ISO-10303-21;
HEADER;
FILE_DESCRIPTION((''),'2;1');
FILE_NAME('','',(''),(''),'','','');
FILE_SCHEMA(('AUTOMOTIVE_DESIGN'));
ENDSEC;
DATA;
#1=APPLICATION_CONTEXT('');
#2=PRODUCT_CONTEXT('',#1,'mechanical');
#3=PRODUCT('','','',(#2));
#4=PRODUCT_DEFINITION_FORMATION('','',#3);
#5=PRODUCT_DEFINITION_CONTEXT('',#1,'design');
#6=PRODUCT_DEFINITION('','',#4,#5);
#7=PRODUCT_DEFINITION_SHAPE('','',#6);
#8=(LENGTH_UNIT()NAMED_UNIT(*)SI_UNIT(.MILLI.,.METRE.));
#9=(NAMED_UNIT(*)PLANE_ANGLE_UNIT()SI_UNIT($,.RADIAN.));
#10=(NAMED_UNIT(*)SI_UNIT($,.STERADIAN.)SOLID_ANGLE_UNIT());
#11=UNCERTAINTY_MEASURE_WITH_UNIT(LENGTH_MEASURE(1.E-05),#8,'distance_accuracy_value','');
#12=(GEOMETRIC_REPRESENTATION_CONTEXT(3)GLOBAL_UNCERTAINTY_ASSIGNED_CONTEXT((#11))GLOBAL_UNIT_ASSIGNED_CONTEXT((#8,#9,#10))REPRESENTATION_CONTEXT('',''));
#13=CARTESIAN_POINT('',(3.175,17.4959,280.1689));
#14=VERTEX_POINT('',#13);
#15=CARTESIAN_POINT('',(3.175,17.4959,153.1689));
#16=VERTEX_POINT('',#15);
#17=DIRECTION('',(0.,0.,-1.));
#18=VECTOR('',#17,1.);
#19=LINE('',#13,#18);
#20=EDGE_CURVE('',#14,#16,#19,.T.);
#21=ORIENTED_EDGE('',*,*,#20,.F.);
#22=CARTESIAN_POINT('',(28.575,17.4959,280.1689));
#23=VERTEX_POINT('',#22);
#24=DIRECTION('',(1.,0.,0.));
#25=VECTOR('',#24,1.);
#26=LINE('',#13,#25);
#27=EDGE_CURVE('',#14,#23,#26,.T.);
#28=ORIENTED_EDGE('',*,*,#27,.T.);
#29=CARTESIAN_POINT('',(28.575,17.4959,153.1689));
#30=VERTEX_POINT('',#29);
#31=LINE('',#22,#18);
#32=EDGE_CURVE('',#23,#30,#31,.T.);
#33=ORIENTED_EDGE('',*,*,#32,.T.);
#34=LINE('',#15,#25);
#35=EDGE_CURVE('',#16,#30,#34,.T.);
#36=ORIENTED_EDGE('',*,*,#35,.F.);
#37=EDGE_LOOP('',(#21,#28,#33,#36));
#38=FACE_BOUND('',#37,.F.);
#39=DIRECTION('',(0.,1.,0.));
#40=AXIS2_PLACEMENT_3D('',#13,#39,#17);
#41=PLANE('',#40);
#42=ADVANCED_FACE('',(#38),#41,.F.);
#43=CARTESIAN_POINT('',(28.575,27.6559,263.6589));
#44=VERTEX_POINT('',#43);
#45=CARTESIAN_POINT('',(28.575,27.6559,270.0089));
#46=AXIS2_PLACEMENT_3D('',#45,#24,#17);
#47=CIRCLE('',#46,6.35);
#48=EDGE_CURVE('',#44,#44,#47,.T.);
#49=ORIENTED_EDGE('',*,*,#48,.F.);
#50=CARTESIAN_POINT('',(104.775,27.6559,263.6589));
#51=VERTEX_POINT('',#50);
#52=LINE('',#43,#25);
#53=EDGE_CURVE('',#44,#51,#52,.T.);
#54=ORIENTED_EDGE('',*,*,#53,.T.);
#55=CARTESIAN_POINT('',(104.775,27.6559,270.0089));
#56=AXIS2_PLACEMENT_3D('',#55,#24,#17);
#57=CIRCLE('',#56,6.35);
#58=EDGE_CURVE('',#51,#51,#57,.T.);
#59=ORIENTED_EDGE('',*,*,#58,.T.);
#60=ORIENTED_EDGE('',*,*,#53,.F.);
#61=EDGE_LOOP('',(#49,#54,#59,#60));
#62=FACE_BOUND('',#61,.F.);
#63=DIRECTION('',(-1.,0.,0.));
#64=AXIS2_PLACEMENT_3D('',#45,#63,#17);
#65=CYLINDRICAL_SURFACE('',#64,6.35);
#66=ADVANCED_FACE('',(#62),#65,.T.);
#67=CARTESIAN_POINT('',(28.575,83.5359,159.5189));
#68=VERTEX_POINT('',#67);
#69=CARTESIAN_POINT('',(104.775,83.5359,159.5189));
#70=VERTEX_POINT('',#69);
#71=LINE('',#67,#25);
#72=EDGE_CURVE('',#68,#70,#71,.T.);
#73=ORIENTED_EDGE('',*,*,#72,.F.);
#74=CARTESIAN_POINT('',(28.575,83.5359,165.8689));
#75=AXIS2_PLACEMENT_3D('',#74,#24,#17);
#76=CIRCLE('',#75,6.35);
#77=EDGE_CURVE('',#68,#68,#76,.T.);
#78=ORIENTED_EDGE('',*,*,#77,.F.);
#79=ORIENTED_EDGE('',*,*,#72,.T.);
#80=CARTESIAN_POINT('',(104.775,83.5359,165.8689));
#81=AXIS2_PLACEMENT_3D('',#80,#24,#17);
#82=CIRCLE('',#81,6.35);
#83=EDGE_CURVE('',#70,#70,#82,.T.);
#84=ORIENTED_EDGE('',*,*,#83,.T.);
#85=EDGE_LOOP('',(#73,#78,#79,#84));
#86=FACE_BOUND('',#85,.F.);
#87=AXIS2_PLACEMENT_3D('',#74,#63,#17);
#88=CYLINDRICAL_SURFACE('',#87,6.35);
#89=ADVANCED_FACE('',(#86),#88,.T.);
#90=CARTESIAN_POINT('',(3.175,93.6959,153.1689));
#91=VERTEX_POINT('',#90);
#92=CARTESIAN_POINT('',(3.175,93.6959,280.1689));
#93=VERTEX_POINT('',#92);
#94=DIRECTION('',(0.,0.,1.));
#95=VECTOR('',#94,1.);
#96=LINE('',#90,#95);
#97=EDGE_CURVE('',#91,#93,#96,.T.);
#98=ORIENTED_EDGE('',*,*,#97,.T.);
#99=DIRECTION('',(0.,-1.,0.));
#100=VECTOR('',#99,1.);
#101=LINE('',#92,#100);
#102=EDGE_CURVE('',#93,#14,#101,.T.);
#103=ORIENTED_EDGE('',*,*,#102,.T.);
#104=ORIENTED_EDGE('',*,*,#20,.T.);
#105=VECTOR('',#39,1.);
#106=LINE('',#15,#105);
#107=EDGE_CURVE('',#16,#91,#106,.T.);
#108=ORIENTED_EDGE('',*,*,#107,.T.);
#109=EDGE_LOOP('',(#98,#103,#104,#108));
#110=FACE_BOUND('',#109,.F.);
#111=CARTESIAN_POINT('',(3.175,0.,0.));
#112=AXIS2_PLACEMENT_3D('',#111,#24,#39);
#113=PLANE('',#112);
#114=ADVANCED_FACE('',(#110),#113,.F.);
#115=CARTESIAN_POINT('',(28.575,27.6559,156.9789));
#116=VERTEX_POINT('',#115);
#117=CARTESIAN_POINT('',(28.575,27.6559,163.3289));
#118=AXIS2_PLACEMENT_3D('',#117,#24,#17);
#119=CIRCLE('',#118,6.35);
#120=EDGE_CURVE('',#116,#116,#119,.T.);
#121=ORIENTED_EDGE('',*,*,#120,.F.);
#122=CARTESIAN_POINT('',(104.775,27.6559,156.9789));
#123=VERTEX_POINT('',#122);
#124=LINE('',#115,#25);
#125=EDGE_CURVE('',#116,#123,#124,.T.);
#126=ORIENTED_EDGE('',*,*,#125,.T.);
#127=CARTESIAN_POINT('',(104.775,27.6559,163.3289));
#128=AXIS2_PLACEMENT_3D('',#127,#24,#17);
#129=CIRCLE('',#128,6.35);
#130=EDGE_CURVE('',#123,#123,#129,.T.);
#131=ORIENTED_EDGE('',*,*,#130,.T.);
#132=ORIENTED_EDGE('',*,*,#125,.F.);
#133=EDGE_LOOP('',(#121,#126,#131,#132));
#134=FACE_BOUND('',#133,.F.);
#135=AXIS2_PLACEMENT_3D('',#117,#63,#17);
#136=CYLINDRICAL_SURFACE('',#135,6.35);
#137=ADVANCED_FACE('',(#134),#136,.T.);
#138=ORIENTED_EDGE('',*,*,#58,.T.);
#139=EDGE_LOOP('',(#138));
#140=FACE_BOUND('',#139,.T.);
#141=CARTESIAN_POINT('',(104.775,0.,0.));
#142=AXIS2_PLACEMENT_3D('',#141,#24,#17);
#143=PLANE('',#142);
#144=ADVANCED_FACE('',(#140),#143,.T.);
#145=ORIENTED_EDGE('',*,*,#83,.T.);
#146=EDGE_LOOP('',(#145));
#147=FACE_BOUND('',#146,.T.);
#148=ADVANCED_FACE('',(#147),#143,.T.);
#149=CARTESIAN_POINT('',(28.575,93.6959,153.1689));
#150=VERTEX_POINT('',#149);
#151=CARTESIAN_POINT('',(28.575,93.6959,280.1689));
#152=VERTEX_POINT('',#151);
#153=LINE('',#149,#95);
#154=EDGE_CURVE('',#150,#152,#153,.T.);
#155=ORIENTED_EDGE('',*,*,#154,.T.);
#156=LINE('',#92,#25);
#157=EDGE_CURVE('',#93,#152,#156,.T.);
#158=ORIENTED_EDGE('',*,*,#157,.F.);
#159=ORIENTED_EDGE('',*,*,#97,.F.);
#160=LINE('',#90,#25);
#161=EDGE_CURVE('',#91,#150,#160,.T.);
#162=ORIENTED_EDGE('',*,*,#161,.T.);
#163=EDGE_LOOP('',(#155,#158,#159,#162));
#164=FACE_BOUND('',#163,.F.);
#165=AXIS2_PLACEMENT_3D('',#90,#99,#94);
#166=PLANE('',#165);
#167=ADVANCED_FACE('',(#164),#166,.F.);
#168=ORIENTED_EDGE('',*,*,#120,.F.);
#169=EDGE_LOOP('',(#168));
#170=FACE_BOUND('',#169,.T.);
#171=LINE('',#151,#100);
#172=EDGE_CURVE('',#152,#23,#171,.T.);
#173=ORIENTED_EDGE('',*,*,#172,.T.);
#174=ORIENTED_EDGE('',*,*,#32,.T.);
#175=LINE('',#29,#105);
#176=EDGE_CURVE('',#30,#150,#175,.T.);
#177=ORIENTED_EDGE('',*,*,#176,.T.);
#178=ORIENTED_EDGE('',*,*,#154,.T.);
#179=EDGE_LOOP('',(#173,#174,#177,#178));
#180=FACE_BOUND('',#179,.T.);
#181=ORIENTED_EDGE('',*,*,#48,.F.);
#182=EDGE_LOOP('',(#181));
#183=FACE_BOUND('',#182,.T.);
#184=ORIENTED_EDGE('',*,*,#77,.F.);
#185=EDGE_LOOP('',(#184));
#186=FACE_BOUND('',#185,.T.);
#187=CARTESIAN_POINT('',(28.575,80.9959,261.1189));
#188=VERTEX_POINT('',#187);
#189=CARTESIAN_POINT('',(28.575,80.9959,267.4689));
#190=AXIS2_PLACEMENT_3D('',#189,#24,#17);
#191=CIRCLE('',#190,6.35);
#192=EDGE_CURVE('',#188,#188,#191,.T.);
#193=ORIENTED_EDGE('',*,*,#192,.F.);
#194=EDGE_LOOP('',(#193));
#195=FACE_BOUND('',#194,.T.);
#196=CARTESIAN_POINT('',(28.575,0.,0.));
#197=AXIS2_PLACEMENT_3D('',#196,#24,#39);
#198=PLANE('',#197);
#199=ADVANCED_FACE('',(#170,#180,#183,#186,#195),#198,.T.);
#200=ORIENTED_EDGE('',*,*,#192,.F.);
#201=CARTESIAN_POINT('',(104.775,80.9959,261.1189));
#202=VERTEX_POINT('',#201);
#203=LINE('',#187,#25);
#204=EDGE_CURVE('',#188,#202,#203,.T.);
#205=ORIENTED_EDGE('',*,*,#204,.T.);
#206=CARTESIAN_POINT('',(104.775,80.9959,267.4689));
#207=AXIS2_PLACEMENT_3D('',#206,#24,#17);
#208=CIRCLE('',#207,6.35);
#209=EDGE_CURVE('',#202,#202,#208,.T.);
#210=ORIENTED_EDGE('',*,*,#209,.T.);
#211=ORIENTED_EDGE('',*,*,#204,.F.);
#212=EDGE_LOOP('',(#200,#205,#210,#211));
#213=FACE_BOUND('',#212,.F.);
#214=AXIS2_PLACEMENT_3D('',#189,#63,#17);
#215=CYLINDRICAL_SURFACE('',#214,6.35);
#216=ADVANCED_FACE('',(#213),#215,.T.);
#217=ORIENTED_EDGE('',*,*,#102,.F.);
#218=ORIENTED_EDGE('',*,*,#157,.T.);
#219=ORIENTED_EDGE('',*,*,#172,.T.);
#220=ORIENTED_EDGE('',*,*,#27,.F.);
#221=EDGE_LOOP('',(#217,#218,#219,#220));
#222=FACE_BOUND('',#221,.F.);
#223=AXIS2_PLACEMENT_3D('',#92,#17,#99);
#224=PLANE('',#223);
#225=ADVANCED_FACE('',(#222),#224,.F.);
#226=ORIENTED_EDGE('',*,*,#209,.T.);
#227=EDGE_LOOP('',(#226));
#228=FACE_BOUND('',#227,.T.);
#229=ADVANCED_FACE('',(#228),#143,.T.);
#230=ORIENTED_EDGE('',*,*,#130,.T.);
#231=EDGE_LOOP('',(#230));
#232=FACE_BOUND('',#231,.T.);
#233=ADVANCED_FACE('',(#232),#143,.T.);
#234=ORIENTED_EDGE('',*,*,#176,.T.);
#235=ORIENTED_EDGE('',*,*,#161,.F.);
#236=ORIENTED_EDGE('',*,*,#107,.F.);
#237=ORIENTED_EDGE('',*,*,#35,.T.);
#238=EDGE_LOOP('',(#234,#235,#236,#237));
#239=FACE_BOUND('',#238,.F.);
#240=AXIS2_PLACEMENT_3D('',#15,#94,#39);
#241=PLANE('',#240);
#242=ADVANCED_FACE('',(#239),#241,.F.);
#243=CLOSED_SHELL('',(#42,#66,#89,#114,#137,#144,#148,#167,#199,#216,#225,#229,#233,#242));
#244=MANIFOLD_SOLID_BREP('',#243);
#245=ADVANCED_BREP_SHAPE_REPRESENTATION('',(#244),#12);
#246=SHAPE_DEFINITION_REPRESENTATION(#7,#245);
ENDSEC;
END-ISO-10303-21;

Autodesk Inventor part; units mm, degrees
ref_plane "XZ Plane" through (0, 0, 0) normal (0, 1, 0) x (-1, 0, 0)
ref_plane "XY Plane" through (0, 0, 0) normal (0, 0, 1) x (1, 0, 0)
ref_plane "Work Plane1" through (3.175, 0, 0) normal (1, 0, 0) x (0, 1, 0)
sketch "Sketch1" plane through (3.175, 0, 0) normal (1, 0, 0) x (0, 1, 0)
  line L0 (93.6959, 280.1689) -> (17.4959, 280.1689)
  line L1 (17.4959, 280.1689) -> (17.4959, 153.1689)
  line L2 (17.4959, 153.1689) -> (93.6959, 153.1689)
  line L3 (93.6959, 153.1689) -> (93.6959, 280.1689)
  point P0 (0, 0)
  dimension "d1" = 127
  dimension "d2" = 76.2
extrude "Extrusion1" add sketch "Sketch1" along normal blind 25.4
sketch "Sketch2" plane through (28.575, 0, 0) normal (1, 0, 0) x (0, 0, -1)
  circle A0 centre (-270.0089, 27.6559) radius 6.35
  line L0 (-280.1689, 93.6959) -> (-280.1689, 17.4959) projected
  line L1 (-280.1689, 17.4959) -> (-153.1689, 17.4959) projected
  line L2 (-153.1689, 17.4959) -> (-153.1689, 93.6959) projected
  line L3 (-153.1689, 93.6959) -> (-280.1689, 93.6959) projected
  circle A1 centre (-165.8689, 83.5359) radius 6.35
  circle A2 centre (-165.8689, 83.5359) radius 6.35
  circle A3 centre (-165.8689, 83.5359) radius 6.35
  line L4 (-153.1689, 17.4959) -> (-153.1689, 93.6959) projected
  circle A4 centre (-267.4689, 80.9959) radius 6.35
  circle A5 centre (-163.3289, 27.6559) radius 6.35
  point P0 (0, 0)
  dimension "d5" = 12.7
  dimension "d6" = 10.16
  dimension "d7" = 10.16
  dimension "d8" = 10.16
  dimension "d9" = 12.7
  dimension "d10" = 12.7
  dimension "d11" = 12.7
  dimension "d12" = 12.7
  dimension "d13" = 12.7
  dimension "d14" = 12.7
  dimension "d15" = 10.16
  dimension "d16" = 10.16
extrude "Extrusion2" add sketch "Sketch2" along normal blind 76.2 contours A0 | A1 | A4 | A5
equation "\"d7\" = d6"
equation "\"d8\" = d7"
equation "\"d9\" = d5"
equation "\"d10\" = d5"
equation "\"d11\" = d5"
equation "\"d12\" = d9"
equation "\"d13\" = d12"
equation "\"d14\" = d5"
equation "\"d15\" = d6"
equation "\"d16\" = d6"
properties part number "Table"
